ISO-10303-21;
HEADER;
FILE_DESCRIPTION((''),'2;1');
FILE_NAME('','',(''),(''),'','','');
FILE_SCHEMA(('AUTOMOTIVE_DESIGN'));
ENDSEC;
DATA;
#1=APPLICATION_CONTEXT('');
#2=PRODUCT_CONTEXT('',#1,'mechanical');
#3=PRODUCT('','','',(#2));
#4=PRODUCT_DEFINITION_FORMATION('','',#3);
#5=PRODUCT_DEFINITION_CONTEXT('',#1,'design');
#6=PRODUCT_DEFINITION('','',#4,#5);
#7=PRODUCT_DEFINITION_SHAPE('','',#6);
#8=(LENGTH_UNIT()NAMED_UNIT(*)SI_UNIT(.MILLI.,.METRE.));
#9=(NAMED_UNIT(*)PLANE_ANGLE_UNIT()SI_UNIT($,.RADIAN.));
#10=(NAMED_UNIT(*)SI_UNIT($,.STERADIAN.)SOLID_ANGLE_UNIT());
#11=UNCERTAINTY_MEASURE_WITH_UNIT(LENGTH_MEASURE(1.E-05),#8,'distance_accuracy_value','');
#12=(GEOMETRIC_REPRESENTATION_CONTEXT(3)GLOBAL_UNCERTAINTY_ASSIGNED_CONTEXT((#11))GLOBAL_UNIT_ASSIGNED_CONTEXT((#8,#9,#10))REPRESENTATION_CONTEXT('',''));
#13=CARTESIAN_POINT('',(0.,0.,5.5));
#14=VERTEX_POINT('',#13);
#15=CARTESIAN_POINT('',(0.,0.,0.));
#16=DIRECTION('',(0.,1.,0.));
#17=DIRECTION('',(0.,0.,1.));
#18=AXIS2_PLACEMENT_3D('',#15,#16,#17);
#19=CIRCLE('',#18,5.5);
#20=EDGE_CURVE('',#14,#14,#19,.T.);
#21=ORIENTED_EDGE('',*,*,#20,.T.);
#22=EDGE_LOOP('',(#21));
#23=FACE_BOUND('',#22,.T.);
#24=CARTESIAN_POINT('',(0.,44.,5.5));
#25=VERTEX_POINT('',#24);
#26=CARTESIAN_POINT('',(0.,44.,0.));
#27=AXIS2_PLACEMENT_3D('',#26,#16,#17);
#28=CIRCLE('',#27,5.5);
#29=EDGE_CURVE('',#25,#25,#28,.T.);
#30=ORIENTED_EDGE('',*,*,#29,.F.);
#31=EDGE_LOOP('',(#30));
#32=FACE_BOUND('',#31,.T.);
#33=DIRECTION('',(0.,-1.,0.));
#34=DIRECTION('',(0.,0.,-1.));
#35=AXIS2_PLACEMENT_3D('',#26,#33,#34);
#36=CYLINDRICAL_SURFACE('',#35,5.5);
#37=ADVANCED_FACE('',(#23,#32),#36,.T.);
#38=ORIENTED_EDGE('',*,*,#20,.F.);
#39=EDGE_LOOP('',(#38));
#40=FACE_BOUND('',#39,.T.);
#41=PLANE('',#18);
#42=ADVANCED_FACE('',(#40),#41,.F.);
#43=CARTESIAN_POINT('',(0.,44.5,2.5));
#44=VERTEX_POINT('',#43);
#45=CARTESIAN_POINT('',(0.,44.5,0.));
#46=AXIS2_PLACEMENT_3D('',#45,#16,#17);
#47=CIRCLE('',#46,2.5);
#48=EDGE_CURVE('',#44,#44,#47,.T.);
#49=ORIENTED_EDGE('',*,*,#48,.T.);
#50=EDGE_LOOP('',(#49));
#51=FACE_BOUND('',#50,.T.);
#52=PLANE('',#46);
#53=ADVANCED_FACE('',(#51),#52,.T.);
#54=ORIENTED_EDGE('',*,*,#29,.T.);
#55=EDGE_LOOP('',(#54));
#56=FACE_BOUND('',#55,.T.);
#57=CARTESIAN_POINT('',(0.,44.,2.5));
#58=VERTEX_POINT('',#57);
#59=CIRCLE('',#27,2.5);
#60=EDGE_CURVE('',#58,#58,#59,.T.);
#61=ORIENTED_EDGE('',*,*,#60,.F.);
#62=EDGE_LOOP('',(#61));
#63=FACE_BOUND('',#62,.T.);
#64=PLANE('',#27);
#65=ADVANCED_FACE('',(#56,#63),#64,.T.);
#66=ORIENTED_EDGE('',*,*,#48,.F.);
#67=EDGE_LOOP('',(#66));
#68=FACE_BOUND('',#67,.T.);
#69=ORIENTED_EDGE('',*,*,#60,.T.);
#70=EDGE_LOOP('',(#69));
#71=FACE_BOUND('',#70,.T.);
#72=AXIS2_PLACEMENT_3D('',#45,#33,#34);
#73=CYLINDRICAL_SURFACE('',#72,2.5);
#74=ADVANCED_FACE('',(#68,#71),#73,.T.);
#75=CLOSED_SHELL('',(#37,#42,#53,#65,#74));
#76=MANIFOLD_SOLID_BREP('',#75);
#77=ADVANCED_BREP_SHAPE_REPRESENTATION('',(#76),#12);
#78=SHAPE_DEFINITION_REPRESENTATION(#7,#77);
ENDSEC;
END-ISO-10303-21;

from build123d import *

# Parameters (mm, degrees)
SKETCH1_R      = 5.5
EXTRUDE1_DEPTH = 44
SKETCH2_R      = 2.5
EXTRUDE2_DEPTH = 0.5


with BuildPart() as part:
    # Sketch1 → Extrude1 (new body)
    with BuildSketch(Plane(origin=(0, 0, 0), x_dir=(1, 0, 0), z_dir=(0, 1, 0))):
        with Locations(Location((0, 0, 0), (0, 0, 270))):
            Circle(SKETCH1_R)
    extrude(amount=EXTRUDE1_DEPTH)

    # Sketch2 → Extrude2 (add)
    with BuildSketch(Plane(origin=(0, 44, 0), x_dir=(-1, 0, 0), z_dir=(0, 1, 0))):
        with Locations(Location((0, 0, 0), (0, 0, 90))):
            Circle(SKETCH2_R)
    extrude(amount=EXTRUDE2_DEPTH)


solid = part.part
